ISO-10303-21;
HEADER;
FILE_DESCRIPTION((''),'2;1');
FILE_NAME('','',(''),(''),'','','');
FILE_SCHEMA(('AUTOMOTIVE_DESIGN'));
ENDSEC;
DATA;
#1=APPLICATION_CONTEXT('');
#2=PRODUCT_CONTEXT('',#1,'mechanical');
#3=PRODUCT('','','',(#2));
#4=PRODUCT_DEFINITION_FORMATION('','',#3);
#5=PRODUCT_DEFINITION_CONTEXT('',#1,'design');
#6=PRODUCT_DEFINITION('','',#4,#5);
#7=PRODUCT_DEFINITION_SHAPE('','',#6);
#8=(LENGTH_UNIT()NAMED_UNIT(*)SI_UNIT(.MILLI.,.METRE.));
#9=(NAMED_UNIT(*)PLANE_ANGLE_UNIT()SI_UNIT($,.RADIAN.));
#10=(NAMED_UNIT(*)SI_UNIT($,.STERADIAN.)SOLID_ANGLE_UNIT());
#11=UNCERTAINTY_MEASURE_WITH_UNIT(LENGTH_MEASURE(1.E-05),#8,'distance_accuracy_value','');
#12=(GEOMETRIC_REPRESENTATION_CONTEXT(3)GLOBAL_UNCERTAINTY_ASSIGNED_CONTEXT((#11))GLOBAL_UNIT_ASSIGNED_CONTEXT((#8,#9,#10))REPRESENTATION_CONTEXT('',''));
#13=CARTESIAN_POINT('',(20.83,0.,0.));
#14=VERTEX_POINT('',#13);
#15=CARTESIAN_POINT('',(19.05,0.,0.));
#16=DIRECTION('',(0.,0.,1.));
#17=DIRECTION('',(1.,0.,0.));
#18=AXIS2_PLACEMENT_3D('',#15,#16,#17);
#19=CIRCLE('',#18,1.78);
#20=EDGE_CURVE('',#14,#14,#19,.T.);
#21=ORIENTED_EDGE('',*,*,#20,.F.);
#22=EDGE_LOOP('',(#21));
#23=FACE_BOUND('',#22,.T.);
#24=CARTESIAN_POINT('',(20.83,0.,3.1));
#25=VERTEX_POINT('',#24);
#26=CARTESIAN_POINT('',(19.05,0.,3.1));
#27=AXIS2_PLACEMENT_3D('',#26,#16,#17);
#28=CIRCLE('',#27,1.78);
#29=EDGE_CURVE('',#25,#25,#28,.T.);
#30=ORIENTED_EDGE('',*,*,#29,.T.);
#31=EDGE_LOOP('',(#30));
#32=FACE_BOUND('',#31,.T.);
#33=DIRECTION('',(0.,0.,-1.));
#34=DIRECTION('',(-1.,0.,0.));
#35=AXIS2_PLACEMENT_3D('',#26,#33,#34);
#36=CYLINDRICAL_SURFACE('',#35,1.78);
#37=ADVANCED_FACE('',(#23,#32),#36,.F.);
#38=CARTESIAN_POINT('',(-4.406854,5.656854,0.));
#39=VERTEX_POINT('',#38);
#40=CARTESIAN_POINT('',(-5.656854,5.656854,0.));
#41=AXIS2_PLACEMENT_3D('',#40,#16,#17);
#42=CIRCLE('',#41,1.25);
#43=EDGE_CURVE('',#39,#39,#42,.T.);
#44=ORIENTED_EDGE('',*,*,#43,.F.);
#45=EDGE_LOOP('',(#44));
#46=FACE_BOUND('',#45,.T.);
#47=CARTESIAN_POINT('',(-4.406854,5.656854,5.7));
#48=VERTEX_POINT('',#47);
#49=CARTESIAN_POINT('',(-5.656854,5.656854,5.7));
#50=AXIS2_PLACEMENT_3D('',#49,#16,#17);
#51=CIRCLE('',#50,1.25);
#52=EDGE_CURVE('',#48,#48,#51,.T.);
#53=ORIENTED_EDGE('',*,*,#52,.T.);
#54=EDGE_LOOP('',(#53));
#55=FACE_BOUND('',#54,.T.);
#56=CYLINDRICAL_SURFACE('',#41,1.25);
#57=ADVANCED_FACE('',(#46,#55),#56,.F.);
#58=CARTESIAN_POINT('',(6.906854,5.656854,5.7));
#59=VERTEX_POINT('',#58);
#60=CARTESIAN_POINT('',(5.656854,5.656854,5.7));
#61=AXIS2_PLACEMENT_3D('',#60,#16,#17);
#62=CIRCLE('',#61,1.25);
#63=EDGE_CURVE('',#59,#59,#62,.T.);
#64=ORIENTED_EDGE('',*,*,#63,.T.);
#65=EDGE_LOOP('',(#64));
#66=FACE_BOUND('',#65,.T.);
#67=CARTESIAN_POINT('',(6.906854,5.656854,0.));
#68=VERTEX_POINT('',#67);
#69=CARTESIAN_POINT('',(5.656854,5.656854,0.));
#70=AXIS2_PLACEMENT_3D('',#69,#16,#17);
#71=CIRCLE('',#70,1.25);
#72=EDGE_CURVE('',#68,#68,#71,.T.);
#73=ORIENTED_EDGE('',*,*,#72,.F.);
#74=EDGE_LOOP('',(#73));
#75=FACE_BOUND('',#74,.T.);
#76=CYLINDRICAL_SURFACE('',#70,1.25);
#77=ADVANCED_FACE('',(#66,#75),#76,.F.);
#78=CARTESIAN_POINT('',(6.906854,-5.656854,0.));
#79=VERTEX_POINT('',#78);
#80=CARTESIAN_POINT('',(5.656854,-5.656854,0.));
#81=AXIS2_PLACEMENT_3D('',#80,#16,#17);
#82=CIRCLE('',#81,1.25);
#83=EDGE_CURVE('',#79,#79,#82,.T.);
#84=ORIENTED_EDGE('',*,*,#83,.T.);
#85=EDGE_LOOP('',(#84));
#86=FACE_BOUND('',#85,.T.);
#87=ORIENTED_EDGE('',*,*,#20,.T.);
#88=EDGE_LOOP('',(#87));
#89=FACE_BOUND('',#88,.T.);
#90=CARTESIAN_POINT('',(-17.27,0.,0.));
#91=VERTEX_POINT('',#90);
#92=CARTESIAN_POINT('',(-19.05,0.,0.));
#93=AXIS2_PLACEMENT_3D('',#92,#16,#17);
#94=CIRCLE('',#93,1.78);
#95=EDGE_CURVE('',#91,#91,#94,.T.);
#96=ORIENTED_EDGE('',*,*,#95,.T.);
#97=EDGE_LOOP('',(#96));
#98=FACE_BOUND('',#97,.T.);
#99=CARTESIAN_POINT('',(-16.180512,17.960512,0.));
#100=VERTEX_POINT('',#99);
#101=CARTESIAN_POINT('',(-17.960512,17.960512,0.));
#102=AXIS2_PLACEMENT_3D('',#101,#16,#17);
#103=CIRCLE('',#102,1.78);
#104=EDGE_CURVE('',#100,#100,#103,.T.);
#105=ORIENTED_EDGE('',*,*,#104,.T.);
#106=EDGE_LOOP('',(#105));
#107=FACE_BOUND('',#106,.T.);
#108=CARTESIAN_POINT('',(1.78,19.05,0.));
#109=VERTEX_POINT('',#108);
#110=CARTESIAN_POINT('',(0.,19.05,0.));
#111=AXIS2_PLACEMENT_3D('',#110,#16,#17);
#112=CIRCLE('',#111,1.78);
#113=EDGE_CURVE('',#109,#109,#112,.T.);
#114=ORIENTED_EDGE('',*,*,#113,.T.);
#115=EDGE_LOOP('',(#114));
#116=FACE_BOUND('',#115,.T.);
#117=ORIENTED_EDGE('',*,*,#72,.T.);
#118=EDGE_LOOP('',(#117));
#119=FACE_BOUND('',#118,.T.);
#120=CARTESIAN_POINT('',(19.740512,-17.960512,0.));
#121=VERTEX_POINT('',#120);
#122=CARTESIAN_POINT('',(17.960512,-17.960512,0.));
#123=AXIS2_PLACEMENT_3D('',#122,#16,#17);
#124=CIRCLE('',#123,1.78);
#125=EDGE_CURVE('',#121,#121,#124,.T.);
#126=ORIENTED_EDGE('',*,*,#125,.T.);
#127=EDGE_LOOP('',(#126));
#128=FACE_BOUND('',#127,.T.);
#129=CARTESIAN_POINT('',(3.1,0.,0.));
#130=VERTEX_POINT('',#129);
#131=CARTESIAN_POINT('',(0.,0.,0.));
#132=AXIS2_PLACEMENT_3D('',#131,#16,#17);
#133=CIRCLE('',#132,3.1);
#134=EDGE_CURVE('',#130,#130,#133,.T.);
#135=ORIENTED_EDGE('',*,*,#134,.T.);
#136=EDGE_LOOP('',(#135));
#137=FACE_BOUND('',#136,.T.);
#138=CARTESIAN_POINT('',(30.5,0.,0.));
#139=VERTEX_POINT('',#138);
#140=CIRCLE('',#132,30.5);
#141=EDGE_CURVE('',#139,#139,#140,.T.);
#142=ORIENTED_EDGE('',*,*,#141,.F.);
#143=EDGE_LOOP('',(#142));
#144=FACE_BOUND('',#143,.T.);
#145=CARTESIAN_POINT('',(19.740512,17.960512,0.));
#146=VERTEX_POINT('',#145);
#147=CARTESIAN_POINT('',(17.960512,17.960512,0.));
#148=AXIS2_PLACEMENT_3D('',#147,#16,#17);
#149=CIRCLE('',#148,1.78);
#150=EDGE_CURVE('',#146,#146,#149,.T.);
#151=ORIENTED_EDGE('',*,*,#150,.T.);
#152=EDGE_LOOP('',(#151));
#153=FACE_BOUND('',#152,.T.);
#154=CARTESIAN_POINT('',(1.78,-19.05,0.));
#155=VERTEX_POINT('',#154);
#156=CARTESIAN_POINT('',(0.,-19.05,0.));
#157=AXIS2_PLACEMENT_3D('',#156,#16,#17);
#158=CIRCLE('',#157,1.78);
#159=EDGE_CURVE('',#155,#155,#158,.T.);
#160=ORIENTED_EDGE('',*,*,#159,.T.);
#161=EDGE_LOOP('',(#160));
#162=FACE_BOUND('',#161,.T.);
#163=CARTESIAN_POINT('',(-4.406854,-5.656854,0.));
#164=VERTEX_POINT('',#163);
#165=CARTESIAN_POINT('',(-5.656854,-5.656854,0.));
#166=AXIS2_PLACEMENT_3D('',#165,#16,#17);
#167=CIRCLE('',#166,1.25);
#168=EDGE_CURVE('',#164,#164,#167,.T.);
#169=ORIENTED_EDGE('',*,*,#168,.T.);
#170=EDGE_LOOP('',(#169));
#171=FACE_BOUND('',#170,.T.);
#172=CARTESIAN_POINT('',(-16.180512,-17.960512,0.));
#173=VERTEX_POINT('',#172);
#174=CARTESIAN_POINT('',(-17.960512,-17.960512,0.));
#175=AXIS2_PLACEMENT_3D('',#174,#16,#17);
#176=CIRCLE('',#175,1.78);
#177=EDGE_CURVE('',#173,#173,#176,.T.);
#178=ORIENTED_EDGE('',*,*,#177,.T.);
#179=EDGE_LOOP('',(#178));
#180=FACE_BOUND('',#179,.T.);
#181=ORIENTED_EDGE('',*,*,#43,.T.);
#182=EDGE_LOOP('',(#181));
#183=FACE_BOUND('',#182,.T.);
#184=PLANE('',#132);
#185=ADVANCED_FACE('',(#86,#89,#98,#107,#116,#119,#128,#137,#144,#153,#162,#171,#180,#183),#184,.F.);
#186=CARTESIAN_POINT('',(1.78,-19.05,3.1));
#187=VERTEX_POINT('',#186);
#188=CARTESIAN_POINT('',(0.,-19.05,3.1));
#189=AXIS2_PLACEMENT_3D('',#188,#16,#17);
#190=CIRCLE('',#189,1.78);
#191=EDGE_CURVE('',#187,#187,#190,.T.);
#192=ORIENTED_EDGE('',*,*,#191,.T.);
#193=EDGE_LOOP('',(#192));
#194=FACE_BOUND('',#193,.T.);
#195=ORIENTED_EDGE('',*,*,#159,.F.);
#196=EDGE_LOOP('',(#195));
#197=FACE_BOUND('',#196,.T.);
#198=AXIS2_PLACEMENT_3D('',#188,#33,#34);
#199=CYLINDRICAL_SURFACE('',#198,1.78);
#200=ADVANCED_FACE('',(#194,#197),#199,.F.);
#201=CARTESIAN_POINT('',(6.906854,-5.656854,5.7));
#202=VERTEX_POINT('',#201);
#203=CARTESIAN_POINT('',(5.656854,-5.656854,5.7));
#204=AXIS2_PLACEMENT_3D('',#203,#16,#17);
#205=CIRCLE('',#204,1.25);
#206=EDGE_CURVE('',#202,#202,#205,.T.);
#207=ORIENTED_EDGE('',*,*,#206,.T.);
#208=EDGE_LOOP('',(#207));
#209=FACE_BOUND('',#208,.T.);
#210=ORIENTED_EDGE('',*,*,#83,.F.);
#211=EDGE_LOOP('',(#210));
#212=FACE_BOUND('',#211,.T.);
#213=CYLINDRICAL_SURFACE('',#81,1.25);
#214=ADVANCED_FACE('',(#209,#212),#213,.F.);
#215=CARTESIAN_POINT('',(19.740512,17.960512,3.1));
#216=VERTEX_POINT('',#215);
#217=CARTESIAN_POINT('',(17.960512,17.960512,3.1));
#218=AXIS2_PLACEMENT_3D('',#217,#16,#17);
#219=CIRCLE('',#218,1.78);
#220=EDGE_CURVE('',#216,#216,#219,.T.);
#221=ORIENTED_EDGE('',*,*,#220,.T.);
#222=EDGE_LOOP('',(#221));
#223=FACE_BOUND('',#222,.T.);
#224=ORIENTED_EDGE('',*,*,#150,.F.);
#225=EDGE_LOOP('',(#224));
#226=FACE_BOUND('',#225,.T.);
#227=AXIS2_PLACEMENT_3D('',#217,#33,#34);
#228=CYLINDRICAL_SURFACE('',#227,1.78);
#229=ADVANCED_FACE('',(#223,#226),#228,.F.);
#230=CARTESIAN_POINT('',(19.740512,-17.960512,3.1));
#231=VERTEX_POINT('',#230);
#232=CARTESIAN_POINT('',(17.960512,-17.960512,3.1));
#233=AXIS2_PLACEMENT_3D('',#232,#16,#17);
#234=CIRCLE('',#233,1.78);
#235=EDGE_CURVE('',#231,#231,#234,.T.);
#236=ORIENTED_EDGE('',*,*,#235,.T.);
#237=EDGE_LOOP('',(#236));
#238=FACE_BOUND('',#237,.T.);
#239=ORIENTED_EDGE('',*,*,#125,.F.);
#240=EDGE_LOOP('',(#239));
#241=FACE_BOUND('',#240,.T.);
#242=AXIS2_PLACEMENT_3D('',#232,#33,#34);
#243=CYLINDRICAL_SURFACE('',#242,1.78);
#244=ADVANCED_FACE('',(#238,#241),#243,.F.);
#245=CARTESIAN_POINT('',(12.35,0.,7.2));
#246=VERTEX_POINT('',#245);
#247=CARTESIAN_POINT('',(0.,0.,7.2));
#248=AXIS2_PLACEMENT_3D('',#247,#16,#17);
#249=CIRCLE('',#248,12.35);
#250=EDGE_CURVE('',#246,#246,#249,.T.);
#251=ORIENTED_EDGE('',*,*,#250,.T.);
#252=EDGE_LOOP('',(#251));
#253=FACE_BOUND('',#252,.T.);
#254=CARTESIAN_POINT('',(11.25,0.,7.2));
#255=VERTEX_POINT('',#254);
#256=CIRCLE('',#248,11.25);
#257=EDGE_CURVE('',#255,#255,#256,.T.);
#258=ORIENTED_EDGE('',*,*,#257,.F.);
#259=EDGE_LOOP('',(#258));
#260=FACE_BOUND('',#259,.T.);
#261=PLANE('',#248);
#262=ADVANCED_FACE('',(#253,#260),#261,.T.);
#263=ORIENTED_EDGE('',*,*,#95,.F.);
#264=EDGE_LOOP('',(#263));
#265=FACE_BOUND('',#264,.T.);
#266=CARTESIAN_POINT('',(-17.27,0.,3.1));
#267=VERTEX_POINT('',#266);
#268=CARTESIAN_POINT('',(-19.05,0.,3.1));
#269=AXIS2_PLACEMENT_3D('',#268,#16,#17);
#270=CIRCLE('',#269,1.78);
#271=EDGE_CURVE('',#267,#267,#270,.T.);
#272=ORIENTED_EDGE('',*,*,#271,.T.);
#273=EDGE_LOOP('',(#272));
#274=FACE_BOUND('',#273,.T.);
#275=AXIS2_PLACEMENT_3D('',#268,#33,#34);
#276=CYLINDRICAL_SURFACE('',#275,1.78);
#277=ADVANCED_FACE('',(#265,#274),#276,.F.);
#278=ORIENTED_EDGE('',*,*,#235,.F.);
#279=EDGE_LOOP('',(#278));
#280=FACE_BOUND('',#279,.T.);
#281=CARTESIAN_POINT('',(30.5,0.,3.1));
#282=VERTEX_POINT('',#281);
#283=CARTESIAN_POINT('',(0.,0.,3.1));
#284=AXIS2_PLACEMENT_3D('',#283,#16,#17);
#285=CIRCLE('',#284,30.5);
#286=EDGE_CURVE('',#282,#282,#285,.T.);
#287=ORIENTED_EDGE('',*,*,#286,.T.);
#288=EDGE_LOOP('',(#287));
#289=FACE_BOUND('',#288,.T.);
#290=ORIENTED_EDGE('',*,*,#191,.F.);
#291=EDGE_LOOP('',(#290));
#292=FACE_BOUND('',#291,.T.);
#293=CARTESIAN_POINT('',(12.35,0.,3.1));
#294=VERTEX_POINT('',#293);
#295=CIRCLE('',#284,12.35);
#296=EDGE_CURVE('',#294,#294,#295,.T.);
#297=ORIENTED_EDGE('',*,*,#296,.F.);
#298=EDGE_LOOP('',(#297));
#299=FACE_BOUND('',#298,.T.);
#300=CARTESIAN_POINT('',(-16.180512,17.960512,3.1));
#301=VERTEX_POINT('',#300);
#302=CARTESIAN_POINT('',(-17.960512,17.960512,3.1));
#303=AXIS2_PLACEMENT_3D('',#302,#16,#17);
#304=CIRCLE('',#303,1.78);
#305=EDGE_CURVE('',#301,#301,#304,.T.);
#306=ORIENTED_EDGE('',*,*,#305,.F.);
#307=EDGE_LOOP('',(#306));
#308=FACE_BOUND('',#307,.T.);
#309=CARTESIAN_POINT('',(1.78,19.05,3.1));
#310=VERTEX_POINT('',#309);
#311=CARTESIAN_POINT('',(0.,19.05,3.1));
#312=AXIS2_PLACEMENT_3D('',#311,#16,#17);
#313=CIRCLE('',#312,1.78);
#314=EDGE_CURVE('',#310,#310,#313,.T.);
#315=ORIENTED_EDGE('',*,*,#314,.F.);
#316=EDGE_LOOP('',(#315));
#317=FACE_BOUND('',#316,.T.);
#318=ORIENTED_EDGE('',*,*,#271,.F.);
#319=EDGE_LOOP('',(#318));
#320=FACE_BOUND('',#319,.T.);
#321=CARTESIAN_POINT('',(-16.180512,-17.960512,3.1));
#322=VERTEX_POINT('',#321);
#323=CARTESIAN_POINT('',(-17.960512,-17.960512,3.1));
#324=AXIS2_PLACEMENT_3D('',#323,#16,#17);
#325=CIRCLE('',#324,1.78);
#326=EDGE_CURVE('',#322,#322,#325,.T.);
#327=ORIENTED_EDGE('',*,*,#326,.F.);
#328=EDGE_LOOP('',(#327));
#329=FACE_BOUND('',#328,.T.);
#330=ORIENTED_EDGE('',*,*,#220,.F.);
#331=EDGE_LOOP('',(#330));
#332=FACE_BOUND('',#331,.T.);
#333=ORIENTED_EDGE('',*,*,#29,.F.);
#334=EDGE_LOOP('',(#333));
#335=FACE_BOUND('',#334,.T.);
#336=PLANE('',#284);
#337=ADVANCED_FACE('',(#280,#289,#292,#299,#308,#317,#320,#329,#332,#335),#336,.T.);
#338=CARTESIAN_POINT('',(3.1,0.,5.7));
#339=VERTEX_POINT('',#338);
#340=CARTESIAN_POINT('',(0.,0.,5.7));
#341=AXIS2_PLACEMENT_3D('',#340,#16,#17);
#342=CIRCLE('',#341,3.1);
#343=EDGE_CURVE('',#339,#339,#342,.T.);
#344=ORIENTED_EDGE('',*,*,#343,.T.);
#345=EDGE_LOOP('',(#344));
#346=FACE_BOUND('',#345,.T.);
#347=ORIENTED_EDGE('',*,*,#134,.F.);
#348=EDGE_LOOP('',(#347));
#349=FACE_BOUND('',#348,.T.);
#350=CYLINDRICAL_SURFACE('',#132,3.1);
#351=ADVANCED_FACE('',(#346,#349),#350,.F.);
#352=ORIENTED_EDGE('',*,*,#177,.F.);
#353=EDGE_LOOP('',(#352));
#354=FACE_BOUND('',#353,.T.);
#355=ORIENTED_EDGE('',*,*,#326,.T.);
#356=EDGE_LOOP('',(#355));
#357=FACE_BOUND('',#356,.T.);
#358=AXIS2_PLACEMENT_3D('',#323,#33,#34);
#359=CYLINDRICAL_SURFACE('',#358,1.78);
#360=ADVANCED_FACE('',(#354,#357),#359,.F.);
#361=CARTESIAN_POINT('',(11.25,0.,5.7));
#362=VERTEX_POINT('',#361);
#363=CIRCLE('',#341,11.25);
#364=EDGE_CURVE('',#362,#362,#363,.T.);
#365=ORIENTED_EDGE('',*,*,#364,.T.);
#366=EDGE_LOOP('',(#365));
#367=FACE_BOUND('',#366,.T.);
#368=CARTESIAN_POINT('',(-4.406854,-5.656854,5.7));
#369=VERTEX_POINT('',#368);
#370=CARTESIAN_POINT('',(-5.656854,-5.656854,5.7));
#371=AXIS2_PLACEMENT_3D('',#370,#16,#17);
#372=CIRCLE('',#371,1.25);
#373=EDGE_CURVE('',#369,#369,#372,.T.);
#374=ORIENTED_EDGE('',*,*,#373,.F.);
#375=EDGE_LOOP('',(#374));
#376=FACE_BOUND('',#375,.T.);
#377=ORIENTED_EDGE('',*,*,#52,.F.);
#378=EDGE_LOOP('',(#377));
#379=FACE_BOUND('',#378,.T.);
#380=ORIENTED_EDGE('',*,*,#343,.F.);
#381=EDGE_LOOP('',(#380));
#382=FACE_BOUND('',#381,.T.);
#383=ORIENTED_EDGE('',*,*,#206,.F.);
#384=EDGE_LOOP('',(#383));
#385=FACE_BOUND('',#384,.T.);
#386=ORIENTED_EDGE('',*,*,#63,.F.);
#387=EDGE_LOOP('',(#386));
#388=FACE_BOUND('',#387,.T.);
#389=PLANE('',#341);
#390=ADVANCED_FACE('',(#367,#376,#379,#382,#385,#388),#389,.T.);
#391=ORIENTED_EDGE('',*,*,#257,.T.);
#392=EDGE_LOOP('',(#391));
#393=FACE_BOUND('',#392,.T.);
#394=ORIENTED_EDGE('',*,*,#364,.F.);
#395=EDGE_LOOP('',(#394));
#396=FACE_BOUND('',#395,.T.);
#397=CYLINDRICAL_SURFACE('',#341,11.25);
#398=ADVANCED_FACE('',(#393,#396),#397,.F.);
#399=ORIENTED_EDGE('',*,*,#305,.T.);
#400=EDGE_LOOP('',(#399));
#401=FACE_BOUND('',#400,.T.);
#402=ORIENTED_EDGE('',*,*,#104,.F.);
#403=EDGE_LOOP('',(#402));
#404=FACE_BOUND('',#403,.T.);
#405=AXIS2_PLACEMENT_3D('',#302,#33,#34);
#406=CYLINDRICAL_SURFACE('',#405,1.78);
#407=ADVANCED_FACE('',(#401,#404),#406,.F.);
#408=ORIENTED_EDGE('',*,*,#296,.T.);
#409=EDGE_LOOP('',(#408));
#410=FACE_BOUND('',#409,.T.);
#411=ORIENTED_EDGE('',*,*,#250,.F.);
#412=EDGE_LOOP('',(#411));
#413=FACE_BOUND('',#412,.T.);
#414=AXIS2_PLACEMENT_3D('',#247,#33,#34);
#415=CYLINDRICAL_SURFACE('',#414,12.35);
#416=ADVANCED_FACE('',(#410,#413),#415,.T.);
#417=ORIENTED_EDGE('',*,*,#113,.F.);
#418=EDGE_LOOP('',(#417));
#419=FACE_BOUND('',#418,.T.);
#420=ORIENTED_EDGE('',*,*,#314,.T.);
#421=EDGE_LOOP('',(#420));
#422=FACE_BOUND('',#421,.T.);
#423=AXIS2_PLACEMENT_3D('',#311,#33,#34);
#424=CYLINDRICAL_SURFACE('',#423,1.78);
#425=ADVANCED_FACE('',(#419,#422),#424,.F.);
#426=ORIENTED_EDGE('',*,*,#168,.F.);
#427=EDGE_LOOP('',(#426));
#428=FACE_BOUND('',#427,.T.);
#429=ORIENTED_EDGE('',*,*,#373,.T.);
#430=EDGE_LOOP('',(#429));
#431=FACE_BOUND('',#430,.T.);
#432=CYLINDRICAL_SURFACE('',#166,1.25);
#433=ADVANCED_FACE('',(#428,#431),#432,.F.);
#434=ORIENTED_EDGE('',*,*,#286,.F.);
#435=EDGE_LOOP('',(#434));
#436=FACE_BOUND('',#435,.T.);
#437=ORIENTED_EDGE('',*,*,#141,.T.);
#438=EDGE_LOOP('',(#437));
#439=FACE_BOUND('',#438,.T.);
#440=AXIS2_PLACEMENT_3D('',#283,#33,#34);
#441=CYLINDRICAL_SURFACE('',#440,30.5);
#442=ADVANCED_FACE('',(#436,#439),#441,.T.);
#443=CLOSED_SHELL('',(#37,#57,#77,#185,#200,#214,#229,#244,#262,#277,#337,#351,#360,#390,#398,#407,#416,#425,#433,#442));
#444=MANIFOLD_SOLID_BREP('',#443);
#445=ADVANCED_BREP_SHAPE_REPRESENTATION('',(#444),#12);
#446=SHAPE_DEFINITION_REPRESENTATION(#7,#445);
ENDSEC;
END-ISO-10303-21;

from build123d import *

# Parameters (mm, degrees)
SKETCH1_R           = 30.5
SKETCH1_R_2         = 1.78
BOSS_EXTRUDE1_DEPTH = 3.1
SKETCH2_R           = 12.35
BOSS_EXTRUDE2_DEPTH = 4.1
SKETCH3_R           = 11.25
CUT_EXTRUDE1_DEPTH  = 1.5
SKETCH4_R           = 1.25
SKETCH4_R_2         = 3.1
CUT_EXTRUDE2_DEPTH  = 6.7


with BuildPart() as part:
    # Sketch1 → Boss-Extrude1 (new body)
    with BuildSketch(Plane.XY):
        Circle(SKETCH1_R)
        with Locations((0, 19.05)):
            Circle(SKETCH1_R_2, mode=Mode.SUBTRACT)
        with Locations((19.05, 0)):
            Circle(SKETCH1_R_2, mode=Mode.SUBTRACT)
        with Locations((0, -19.05)):
            Circle(SKETCH1_R_2, mode=Mode.SUBTRACT)
        with Locations((-19.05, 0)):
            Circle(SKETCH1_R_2, mode=Mode.SUBTRACT)
        with Locations((17.960512242, 17.960512242)):
            Circle(SKETCH1_R_2, mode=Mode.SUBTRACT)
        with Locations((17.960512242, -17.960512242)):
            Circle(SKETCH1_R_2, mode=Mode.SUBTRACT)
        with Locations((-17.960512242, -17.960512242)):
            Circle(SKETCH1_R_2, mode=Mode.SUBTRACT)
        with Locations((-17.960512242, 17.960512242)):
            Circle(SKETCH1_R_2, mode=Mode.SUBTRACT)
    extrude(amount=BOSS_EXTRUDE1_DEPTH)

    # Sketch2 → Boss-Extrude2 (add)
    with BuildSketch(Plane.XY.offset(3.1)):
        Circle(SKETCH2_R)
    extrude(amount=BOSS_EXTRUDE2_DEPTH)

    # Sketch3 → Cut-Extrude1 (cut)
    with BuildSketch(Plane.XY.offset(7.2)):
        Circle(SKETCH3_R)
    extrude(amount=-CUT_EXTRUDE1_DEPTH, mode=Mode.SUBTRACT)

    # Sketch4 → Cut-Extrude2 (cut, through all)
    with BuildSketch(Plane.XY.offset(5.7)):
        with Locations((5.656854249, 5.656854249)):
            Circle(SKETCH4_R)
        with Locations((5.656854249, -5.656854249)):
            Circle(SKETCH4_R)
        with Locations((-5.656854249, -5.656854249)):
            Circle(SKETCH4_R)
        with Locations((-5.656854249, 5.656854249)):
            Circle(SKETCH4_R)
        Circle(SKETCH4_R_2)
    extrude(amount=-CUT_EXTRUDE2_DEPTH, mode=Mode.SUBTRACT)


solid = part.part
